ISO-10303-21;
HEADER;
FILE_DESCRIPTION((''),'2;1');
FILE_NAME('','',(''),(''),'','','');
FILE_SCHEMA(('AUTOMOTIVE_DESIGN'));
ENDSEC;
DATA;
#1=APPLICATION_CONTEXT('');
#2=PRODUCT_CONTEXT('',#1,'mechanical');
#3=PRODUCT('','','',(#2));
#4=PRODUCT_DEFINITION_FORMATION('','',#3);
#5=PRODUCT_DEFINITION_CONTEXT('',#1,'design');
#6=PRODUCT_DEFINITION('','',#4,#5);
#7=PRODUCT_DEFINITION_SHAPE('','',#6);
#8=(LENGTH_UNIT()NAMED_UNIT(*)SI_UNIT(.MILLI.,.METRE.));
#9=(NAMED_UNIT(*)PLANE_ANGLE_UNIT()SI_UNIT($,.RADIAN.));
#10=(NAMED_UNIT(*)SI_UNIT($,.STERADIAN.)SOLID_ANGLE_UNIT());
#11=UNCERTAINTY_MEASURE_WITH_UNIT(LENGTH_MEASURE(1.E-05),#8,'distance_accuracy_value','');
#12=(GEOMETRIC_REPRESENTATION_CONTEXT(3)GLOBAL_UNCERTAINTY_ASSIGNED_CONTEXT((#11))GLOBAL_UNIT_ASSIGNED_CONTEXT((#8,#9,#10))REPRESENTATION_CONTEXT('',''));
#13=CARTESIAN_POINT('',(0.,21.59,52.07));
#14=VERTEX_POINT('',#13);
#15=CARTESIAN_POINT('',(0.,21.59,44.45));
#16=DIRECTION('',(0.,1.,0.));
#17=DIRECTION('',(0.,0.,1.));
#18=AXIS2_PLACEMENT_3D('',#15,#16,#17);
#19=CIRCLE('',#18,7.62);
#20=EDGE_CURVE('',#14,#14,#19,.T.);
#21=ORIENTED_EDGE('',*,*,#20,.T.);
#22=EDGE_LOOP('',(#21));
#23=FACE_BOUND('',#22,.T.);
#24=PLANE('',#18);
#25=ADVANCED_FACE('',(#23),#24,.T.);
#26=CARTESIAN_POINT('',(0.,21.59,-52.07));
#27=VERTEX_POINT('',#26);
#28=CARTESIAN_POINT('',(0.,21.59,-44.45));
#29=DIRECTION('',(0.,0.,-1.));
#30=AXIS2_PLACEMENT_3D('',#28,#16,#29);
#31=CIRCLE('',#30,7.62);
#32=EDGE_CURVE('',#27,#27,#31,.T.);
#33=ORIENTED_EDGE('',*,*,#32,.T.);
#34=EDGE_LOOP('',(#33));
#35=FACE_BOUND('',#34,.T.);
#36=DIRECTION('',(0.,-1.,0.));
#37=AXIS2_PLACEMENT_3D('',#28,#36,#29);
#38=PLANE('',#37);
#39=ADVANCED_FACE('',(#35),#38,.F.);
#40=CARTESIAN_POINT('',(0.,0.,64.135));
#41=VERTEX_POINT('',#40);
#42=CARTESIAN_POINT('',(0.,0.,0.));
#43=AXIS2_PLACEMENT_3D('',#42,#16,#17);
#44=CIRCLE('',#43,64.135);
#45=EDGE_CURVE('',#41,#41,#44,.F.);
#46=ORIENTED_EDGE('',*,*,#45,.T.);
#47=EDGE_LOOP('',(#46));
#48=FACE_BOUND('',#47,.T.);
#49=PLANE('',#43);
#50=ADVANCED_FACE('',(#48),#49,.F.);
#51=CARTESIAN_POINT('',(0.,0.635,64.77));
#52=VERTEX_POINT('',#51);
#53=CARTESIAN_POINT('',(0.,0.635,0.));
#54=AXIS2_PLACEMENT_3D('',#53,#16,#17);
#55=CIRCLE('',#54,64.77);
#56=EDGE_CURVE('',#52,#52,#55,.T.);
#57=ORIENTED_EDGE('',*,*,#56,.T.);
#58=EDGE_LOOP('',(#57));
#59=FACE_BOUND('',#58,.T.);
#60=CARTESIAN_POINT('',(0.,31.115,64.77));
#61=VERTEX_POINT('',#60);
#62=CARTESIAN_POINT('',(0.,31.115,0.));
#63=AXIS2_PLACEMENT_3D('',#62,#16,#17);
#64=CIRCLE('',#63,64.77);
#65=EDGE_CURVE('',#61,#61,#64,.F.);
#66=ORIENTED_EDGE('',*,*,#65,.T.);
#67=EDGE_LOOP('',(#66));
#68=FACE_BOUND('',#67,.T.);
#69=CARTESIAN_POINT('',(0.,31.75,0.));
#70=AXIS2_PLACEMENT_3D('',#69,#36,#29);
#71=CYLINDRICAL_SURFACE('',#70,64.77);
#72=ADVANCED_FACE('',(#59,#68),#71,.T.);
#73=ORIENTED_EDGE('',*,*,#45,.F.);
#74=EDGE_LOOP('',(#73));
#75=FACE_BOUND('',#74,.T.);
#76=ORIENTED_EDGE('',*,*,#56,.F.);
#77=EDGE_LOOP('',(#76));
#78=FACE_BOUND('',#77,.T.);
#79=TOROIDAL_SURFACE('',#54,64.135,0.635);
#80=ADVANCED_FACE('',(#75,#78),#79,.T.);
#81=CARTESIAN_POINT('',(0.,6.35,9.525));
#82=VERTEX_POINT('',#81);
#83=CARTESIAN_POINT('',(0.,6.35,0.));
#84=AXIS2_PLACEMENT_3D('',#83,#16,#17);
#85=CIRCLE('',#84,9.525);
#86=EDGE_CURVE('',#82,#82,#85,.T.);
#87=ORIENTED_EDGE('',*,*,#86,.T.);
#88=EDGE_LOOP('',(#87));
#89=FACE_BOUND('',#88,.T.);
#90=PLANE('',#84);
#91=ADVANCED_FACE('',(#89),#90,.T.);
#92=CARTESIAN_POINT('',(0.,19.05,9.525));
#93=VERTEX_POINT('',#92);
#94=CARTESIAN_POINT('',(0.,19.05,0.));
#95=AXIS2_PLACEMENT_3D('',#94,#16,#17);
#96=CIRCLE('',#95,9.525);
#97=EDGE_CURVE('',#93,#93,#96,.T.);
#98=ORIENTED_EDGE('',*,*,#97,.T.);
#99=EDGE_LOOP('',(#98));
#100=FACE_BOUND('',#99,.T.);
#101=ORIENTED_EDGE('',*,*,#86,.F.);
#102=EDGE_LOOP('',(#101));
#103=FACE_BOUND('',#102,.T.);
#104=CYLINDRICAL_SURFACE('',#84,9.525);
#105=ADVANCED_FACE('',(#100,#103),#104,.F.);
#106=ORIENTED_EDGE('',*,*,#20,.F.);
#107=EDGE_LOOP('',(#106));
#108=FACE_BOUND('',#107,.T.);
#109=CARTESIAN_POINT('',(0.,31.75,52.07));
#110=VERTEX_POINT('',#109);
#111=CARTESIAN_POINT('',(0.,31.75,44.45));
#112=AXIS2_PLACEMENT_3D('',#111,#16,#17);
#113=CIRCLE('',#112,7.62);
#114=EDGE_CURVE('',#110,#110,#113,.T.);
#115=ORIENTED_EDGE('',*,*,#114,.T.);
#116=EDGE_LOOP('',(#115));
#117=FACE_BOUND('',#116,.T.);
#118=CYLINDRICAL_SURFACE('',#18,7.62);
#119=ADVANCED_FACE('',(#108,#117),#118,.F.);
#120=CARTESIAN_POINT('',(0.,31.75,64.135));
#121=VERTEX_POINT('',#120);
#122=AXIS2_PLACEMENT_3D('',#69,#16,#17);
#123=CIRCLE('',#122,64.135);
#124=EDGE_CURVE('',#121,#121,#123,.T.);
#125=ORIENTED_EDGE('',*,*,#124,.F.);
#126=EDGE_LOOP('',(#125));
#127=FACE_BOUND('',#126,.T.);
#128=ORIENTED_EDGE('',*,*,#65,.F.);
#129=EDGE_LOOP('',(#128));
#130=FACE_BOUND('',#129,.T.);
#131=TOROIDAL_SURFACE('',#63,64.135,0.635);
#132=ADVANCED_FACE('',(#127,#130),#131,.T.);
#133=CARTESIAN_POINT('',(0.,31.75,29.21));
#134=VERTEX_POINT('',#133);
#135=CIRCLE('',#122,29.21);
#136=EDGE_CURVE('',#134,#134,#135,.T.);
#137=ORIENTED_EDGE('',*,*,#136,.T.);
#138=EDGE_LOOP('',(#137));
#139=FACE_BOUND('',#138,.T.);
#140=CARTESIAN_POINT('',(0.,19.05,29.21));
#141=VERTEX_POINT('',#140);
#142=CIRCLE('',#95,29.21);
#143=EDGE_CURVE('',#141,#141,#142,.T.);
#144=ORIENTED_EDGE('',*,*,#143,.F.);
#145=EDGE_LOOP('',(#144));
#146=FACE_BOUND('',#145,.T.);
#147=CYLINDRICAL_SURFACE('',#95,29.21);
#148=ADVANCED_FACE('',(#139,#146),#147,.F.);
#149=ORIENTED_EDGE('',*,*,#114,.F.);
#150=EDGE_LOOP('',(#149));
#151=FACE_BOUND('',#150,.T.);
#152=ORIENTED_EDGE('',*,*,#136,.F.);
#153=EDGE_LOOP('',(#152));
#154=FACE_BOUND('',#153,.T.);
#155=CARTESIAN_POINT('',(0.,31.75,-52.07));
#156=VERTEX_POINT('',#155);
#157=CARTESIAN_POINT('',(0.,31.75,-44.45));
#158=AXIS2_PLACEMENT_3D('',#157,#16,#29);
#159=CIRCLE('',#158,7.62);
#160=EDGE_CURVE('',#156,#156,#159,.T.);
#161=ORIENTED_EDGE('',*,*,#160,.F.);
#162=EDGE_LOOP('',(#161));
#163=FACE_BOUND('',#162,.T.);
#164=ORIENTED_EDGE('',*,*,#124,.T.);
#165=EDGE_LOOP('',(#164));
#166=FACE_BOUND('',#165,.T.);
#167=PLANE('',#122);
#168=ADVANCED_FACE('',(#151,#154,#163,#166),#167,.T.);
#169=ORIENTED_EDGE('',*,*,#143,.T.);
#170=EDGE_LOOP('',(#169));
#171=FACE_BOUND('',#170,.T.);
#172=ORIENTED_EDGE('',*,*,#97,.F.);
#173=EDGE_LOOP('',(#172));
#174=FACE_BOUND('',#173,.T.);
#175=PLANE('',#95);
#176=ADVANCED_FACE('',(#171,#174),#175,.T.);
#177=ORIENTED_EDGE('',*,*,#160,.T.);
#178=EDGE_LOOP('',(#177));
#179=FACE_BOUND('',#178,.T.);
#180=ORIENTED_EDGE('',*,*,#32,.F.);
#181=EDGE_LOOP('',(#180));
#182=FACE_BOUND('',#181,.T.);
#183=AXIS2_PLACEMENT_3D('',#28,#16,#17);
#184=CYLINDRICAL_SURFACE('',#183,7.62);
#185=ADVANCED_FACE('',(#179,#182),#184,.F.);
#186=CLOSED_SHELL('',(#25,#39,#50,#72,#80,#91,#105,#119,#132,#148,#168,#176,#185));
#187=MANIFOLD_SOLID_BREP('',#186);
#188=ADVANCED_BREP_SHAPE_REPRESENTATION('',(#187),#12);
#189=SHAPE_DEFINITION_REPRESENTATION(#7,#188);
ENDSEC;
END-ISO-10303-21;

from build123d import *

# Parameters (mm, degrees)
SKETCH2_R           = 64.77
BOSS_EXTRUDE1_DEPTH = 31.75
FILLET1_R           = 0.635
SKETCH3_R           = 29.21
CUT_EXTRUDE1_DEPTH  = 12.7
SKETCH4_R           = 9.525
CUT_EXTRUDE2_DEPTH  = 12.7
SKETCH5_R           = 7.62
CUT_EXTRUDE3_DEPTH  = 10.16


with BuildPart() as part:
    # Sketch2 → Boss-Extrude1 (new body)
    with BuildSketch(Plane(origin=(0, 0, 0), x_dir=(1, 0, 0), z_dir=(0, 1, 0))):
        with Locations(Location((0, 0, 0), (0, 0, 270))):
            Circle(SKETCH2_R)
    extrude(amount=BOSS_EXTRUDE1_DEPTH)

    # Fillet1
    fillet1_edges = [part.edges().sort_by_distance(p)[0] for p in [
        (0, 0, -64.77),
        (0, 31.75, -64.77),
    ]]
    fillet(fillet1_edges, radius=FILLET1_R)

    # Sketch3 → Cut-Extrude1 (cut)
    with BuildSketch(Plane(origin=(0, 31.75, 0), x_dir=(1, 0, 0), z_dir=(0, 1, 0))):
        with Locations(Location((0, 0, 0), (0, 0, 270))):
            Circle(SKETCH3_R)
    extrude(amount=-CUT_EXTRUDE1_DEPTH, mode=Mode.SUBTRACT)

    # Sketch4 → Cut-Extrude2 (cut)
    with BuildSketch(Plane(origin=(0, 19.05, 0), x_dir=(1, 0, 0), z_dir=(0, 1, 0))):
        with Locations(Location((0, 0, 0), (0, 0, 270))):
            Circle(SKETCH4_R)
    extrude(amount=-CUT_EXTRUDE2_DEPTH, mode=Mode.SUBTRACT)

    # Sketch5 → Cut-Extrude3 (cut)
    with BuildSketch(Plane(origin=(0, 31.75, 0), x_dir=(1, 0, 0), z_dir=(0, 1, 0))):
        with Locations(Location((0, -44.45, 0), (0, 0, 270))):
            Circle(SKETCH5_R)
        with Locations(Location((0, 44.45, 0), (0, 0, 90))):
            Circle(SKETCH5_R)
    extrude(amount=-CUT_EXTRUDE3_DEPTH, mode=Mode.SUBTRACT)


solid = part.part
